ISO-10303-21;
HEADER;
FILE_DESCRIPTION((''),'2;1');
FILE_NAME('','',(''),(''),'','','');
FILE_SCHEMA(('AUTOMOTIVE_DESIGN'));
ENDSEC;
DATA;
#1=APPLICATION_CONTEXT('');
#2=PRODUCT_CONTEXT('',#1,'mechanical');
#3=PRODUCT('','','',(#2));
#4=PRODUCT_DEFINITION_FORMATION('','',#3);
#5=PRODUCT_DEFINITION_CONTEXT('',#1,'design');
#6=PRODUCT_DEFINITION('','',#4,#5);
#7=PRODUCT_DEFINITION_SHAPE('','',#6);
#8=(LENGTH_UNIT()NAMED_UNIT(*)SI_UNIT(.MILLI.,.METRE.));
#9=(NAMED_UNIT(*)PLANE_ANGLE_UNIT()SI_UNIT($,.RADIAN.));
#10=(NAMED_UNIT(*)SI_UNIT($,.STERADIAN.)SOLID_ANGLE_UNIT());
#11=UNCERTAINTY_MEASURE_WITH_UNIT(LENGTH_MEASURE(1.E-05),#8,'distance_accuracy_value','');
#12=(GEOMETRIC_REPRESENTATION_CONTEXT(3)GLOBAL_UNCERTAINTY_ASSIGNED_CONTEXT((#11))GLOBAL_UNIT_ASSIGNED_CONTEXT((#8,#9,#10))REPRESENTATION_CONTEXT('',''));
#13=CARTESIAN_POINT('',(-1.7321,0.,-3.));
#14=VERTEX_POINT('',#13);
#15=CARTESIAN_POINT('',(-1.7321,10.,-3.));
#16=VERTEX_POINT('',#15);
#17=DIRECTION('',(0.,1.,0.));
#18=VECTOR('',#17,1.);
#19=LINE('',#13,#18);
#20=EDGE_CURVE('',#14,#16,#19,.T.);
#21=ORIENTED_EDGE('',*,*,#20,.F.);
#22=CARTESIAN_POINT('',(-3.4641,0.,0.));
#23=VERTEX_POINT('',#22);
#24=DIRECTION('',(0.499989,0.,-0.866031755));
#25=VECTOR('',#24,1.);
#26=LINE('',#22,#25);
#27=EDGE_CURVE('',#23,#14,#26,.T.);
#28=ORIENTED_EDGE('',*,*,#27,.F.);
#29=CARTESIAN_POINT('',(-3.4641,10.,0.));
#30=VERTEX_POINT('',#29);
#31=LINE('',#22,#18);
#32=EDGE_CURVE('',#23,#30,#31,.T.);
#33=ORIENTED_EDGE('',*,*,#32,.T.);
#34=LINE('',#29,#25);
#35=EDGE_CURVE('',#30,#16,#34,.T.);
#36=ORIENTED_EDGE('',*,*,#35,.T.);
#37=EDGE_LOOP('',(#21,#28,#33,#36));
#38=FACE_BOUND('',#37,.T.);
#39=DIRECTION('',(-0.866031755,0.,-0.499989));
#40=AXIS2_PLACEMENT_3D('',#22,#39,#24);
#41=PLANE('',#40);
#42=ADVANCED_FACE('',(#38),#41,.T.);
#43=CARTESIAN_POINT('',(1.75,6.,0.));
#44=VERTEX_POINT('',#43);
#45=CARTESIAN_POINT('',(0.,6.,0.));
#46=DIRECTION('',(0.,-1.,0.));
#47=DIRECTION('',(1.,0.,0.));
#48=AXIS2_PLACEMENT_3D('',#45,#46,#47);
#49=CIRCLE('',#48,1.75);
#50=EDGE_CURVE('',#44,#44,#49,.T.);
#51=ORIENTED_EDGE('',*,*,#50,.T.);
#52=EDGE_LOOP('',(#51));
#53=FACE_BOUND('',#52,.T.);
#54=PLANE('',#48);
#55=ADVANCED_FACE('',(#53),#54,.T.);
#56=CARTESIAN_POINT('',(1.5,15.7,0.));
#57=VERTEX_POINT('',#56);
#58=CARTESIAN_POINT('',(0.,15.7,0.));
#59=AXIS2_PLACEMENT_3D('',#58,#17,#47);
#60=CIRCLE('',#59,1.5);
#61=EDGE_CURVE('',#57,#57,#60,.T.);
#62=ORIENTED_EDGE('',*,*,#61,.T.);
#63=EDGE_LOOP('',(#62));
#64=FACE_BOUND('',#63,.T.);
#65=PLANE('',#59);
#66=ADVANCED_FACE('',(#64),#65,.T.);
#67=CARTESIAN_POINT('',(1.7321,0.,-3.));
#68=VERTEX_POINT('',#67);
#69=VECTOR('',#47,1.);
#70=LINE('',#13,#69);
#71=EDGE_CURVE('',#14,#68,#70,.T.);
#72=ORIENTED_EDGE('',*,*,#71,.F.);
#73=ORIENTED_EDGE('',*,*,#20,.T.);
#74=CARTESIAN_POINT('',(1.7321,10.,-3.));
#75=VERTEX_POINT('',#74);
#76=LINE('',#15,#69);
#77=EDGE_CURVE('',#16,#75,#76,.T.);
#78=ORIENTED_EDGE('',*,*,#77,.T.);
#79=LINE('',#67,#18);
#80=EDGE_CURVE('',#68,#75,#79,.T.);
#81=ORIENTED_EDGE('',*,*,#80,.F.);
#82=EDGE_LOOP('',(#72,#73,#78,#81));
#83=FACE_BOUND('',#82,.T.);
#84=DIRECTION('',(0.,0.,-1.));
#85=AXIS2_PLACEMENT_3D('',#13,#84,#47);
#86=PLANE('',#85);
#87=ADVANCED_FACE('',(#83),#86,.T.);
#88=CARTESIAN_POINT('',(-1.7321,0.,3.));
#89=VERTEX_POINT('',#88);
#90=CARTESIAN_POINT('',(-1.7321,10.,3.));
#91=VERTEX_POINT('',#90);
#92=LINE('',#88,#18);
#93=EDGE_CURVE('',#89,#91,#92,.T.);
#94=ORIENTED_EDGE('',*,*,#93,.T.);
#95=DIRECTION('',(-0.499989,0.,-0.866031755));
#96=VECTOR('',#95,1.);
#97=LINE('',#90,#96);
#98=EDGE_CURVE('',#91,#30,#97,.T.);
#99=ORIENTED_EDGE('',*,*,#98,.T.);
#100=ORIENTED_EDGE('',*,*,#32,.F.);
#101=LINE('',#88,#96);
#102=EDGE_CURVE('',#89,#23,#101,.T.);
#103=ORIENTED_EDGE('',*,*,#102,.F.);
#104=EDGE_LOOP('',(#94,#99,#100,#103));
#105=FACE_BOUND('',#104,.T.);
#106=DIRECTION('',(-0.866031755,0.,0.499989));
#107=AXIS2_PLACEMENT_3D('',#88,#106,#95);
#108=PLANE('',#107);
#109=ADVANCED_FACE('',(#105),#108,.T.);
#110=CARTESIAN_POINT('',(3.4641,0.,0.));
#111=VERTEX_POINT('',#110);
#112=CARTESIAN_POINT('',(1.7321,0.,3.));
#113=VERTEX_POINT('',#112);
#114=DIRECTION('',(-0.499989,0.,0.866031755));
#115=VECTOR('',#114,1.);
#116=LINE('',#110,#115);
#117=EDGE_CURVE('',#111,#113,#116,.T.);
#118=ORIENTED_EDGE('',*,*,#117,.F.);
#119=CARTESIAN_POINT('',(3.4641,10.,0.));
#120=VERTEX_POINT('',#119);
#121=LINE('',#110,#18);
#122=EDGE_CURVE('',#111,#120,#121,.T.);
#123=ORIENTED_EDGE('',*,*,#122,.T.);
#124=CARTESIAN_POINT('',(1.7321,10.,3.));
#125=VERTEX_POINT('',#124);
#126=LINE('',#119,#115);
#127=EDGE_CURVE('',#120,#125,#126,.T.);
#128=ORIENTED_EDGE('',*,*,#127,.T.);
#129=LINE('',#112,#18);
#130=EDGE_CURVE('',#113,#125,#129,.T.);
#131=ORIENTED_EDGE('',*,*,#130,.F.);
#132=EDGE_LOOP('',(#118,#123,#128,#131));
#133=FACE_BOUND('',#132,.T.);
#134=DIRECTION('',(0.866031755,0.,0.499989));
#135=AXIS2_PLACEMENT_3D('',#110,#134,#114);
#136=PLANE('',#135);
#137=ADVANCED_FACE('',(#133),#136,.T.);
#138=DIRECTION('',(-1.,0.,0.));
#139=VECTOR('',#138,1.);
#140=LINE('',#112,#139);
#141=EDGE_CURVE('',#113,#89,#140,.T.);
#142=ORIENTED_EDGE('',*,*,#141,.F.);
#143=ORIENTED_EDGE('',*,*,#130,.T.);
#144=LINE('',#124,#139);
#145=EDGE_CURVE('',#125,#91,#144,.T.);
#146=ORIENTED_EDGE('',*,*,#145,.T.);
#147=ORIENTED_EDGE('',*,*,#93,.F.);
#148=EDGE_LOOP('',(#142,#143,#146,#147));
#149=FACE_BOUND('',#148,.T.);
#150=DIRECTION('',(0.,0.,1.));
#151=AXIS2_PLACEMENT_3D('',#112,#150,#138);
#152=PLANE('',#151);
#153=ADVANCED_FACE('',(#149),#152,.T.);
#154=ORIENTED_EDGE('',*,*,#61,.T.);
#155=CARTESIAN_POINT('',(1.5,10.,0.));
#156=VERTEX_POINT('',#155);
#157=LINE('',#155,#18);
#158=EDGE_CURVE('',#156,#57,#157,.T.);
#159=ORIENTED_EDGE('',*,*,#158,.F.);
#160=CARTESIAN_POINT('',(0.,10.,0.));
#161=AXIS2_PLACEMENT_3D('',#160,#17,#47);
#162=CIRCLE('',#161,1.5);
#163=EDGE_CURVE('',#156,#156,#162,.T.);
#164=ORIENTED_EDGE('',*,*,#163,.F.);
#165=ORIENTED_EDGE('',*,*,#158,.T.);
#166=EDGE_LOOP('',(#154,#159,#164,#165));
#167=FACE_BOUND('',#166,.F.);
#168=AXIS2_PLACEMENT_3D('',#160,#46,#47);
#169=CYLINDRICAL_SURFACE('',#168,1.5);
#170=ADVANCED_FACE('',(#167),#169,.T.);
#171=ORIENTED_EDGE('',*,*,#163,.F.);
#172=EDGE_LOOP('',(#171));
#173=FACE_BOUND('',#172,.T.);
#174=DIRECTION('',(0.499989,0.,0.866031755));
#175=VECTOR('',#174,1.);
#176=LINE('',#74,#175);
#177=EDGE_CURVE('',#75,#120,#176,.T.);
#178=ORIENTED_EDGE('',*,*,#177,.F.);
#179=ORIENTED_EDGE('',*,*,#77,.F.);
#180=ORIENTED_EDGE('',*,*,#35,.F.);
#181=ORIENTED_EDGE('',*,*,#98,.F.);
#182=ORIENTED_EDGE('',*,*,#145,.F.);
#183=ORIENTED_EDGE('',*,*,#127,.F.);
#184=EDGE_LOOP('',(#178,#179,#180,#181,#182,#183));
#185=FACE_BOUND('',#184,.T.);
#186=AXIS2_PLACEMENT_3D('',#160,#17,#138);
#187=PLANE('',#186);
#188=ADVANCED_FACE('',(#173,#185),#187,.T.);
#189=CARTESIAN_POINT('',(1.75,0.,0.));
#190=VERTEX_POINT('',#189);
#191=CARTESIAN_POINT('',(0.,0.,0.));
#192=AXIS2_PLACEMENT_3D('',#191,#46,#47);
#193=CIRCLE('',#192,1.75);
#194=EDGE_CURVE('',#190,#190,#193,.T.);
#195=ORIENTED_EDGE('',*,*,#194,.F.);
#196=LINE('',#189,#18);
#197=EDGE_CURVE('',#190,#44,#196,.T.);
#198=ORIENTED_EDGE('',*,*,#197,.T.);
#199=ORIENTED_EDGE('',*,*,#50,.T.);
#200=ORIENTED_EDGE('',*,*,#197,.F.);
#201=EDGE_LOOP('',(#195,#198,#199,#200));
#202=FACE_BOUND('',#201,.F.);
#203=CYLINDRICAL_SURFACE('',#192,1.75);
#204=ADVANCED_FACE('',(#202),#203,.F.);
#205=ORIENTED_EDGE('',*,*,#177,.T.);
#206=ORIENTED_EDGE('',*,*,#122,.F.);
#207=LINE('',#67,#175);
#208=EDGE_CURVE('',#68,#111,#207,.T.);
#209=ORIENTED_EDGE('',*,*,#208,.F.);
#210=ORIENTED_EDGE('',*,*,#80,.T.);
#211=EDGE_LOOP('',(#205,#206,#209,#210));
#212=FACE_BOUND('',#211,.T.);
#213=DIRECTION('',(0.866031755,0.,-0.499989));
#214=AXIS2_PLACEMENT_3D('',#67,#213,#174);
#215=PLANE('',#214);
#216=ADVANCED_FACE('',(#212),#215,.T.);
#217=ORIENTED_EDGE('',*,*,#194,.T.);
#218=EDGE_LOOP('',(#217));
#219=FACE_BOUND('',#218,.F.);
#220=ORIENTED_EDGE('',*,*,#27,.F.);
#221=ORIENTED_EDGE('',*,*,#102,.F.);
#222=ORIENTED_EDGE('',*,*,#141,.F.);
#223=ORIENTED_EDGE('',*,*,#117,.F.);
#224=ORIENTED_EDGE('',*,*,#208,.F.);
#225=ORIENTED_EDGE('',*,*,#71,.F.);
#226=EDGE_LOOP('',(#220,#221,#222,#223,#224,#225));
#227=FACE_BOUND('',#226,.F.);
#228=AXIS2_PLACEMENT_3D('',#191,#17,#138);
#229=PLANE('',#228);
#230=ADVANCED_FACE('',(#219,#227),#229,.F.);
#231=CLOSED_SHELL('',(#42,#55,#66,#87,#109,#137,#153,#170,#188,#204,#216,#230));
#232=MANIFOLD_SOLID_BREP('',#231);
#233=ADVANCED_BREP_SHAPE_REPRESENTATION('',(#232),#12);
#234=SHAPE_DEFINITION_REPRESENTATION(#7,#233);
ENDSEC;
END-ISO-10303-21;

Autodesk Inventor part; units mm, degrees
ref_plane "YZ Plane" through (0, 0, 0) normal (1, 0, 0) x (0, 1, 0)
ref_plane "XZ Plane" through (0, 0, 0) normal (0, 1, 0) x (-1, 0, 0)
ref_plane "XY Plane" through (0, 0, 0) normal (0, 0, 1) x (1, 0, 0)
sketch "Sketch1" plane through (0, 0, 0) normal (0, 1, 0) x (-1, 0, 0)
  line L0 (-3.4641, 0) -> (-1.7321, 3)
  line L1 (-1.7321, 3) -> (1.7321, 3)
  line L2 (1.7321, 3) -> (3.4641, 0)
  line L3 (3.4641, 0) -> (1.7321, -3)
  line L4 (1.7321, -3) -> (-1.7321, -3)
  line L5 (-1.7321, -3) -> (-3.4641, 0)
  point P0 (0, 0)
  point P1 (0, 0)
  dimension "d1" = 6
extrude "Extrusion1" add sketch "Sketch1" along normal blind 10
sketch "Sketch2" plane through (0, 0, 0) normal (0, -1, 0) x (1, 0, 0)
  circle A0 centre (0, 0) radius 1.75
  dimension "d4" = 3.5
sketch "Sketch3" plane through (0, 10, 0) normal (0, 1, 0) x (1, 0, 0)
  circle A0 centre (0, 0) radius 1.5
  dimension "d5" = 3
extrude "Extrusion2" add sketch "Sketch3" along normal blind 5.7
extrude "Extrusion3" cut sketch "Sketch2" against normal blind 6
thread "Thread1" size "M3x0.35" class "6g" standard "ANSI Metric M Profile" full length
thread "Thread2" size "M4x0.5" class "6H" standard "ANSI Metric M Profile" full length
properties part number "spacer1cm"
